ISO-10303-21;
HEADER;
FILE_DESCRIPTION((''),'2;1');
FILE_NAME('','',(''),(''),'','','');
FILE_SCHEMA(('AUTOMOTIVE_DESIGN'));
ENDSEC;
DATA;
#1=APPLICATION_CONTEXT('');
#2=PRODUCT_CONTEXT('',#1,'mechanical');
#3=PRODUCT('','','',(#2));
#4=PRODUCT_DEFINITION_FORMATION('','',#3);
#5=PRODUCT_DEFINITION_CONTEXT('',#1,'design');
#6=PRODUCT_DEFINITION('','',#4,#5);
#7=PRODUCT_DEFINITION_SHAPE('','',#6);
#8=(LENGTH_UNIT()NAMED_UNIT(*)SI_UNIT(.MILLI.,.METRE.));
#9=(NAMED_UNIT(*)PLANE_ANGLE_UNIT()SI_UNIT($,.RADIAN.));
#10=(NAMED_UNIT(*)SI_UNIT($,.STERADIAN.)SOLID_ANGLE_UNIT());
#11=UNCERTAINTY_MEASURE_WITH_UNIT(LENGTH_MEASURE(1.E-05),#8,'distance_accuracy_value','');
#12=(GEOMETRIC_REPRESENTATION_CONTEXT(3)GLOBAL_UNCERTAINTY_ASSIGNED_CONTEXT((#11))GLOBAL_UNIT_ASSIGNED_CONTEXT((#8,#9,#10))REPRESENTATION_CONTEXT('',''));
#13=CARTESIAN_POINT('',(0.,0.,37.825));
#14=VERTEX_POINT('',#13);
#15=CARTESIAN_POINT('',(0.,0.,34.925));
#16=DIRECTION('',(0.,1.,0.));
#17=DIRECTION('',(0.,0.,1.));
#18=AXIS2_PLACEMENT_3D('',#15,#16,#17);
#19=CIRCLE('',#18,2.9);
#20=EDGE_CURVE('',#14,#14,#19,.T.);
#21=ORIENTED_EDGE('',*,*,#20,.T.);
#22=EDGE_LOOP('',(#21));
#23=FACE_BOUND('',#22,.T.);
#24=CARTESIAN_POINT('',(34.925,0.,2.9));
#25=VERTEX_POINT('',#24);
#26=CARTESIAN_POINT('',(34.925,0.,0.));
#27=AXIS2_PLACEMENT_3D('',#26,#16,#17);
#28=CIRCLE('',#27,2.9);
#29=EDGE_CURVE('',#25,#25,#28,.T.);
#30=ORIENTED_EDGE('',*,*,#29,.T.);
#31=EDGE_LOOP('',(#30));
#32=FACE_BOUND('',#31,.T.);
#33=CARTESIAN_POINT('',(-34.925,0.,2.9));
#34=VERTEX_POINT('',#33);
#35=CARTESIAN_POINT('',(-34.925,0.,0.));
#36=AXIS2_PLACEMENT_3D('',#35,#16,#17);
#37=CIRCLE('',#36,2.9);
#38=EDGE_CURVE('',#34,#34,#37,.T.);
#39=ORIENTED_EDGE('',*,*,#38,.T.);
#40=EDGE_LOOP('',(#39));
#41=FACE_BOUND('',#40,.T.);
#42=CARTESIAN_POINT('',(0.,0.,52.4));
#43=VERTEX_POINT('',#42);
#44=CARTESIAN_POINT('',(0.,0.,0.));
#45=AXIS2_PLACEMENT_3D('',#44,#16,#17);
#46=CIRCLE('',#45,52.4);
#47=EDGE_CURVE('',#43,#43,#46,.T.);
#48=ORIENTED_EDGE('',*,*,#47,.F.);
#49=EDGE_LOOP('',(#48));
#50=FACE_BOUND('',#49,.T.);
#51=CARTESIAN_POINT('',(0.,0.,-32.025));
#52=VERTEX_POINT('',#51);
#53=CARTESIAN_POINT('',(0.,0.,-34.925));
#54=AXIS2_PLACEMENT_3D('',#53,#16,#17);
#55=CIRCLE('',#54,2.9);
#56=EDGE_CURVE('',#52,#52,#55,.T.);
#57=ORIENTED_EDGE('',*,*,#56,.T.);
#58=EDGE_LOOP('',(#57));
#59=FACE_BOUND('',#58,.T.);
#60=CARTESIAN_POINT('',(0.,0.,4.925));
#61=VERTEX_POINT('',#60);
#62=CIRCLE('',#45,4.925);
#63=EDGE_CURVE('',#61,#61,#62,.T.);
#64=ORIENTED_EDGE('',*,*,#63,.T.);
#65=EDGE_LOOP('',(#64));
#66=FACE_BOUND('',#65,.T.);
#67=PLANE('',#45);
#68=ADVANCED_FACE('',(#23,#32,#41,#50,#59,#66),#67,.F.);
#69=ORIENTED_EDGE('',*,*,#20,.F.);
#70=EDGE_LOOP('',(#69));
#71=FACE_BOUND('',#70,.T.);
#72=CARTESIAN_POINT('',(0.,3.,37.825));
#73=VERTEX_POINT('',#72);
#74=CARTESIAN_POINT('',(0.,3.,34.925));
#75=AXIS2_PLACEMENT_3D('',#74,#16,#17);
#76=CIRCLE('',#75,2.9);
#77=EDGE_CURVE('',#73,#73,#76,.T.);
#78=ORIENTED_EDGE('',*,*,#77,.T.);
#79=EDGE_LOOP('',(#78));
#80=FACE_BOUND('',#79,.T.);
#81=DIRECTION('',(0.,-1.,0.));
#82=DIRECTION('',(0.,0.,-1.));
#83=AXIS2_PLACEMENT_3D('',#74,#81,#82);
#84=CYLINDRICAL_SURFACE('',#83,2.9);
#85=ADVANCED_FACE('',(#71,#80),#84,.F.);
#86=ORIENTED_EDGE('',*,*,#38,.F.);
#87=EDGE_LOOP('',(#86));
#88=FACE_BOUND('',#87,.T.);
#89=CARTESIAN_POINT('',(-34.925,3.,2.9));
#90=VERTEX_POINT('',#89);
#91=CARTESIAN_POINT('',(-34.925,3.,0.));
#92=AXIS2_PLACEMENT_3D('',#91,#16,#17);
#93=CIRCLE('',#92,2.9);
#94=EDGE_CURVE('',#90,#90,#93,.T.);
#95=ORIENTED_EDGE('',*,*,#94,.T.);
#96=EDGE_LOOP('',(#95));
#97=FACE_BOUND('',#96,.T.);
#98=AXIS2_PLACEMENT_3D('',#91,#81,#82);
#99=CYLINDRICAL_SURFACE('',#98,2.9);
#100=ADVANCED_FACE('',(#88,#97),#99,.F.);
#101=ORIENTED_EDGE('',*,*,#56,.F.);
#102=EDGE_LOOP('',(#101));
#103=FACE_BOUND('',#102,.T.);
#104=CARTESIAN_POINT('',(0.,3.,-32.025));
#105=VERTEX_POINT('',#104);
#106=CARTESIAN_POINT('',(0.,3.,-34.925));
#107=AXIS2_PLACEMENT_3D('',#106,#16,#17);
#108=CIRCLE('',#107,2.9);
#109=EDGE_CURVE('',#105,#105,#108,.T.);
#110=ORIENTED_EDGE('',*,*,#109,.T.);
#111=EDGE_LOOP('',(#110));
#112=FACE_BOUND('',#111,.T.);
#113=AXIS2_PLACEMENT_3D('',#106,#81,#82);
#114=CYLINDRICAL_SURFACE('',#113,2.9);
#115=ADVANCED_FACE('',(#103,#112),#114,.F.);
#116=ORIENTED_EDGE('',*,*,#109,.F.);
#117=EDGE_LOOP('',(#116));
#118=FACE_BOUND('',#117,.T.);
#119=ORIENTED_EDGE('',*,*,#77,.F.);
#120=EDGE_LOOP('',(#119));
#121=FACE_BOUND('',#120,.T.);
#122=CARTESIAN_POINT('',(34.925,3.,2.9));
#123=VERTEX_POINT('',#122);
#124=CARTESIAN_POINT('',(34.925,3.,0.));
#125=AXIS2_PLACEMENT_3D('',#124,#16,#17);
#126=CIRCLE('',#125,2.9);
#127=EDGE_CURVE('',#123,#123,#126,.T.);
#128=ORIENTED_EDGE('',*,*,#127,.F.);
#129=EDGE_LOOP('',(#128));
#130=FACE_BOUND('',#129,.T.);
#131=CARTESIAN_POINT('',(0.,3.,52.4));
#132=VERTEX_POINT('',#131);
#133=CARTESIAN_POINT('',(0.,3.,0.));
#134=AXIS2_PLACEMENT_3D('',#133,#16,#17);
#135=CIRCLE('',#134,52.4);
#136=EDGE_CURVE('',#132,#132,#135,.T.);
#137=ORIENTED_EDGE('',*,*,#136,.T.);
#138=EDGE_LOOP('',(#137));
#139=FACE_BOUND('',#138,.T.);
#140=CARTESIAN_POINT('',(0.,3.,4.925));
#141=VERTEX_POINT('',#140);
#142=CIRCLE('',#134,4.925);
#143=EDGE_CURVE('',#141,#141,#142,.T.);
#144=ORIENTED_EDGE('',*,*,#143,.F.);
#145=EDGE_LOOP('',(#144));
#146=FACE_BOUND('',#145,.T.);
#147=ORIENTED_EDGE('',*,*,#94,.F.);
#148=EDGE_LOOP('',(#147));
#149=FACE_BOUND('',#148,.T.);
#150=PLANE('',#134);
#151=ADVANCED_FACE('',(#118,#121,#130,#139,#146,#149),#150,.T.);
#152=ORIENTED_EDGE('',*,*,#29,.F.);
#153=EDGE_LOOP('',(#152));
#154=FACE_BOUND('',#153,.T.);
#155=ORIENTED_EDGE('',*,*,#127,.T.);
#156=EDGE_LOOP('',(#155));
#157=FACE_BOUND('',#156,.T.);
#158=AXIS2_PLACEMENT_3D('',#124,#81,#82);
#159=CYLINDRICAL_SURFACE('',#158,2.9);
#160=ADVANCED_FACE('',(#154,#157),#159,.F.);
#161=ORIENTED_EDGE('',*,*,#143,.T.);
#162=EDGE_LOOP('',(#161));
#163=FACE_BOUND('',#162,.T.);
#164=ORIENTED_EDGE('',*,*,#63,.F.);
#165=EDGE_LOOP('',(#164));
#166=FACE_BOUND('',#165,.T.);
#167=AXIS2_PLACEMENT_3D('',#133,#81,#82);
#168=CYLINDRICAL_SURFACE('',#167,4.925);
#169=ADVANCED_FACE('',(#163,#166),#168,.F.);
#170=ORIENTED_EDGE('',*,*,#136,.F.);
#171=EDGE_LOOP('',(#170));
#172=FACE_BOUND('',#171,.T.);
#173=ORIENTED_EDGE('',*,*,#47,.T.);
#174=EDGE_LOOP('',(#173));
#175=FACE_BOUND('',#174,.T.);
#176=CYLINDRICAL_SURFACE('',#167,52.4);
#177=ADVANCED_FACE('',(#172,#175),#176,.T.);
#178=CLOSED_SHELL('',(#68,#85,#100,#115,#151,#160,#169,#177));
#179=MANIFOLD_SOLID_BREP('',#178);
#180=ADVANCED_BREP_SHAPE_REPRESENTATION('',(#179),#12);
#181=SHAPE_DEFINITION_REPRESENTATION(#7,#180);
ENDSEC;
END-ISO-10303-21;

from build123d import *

# Parameters (mm, degrees)
SKETCH1_R           = 52.4
SKETCH1_R_2         = 4.925
SKETCH1_R_3         = 2.9
BOSS_EXTRUDE1_DEPTH = 3


with BuildPart() as part:
    # Sketch1 → Boss-Extrude1 (new body)
    with BuildSketch(Plane(origin=(0, 0, 0), x_dir=(1, 0, 0), z_dir=(0, 1, 0))):
        Circle(SKETCH1_R)
        Circle(SKETCH1_R_2, mode=Mode.SUBTRACT)
        with Locations((0, 34.925)):
            Circle(SKETCH1_R_3, mode=Mode.SUBTRACT)
        with Locations((34.925, 0)):
            Circle(SKETCH1_R_3, mode=Mode.SUBTRACT)
        with Locations((0, -34.925)):
            Circle(SKETCH1_R_3, mode=Mode.SUBTRACT)
        with Locations((-34.925, 0)):
            Circle(SKETCH1_R_3, mode=Mode.SUBTRACT)
    extrude(amount=BOSS_EXTRUDE1_DEPTH)


solid = part.part
